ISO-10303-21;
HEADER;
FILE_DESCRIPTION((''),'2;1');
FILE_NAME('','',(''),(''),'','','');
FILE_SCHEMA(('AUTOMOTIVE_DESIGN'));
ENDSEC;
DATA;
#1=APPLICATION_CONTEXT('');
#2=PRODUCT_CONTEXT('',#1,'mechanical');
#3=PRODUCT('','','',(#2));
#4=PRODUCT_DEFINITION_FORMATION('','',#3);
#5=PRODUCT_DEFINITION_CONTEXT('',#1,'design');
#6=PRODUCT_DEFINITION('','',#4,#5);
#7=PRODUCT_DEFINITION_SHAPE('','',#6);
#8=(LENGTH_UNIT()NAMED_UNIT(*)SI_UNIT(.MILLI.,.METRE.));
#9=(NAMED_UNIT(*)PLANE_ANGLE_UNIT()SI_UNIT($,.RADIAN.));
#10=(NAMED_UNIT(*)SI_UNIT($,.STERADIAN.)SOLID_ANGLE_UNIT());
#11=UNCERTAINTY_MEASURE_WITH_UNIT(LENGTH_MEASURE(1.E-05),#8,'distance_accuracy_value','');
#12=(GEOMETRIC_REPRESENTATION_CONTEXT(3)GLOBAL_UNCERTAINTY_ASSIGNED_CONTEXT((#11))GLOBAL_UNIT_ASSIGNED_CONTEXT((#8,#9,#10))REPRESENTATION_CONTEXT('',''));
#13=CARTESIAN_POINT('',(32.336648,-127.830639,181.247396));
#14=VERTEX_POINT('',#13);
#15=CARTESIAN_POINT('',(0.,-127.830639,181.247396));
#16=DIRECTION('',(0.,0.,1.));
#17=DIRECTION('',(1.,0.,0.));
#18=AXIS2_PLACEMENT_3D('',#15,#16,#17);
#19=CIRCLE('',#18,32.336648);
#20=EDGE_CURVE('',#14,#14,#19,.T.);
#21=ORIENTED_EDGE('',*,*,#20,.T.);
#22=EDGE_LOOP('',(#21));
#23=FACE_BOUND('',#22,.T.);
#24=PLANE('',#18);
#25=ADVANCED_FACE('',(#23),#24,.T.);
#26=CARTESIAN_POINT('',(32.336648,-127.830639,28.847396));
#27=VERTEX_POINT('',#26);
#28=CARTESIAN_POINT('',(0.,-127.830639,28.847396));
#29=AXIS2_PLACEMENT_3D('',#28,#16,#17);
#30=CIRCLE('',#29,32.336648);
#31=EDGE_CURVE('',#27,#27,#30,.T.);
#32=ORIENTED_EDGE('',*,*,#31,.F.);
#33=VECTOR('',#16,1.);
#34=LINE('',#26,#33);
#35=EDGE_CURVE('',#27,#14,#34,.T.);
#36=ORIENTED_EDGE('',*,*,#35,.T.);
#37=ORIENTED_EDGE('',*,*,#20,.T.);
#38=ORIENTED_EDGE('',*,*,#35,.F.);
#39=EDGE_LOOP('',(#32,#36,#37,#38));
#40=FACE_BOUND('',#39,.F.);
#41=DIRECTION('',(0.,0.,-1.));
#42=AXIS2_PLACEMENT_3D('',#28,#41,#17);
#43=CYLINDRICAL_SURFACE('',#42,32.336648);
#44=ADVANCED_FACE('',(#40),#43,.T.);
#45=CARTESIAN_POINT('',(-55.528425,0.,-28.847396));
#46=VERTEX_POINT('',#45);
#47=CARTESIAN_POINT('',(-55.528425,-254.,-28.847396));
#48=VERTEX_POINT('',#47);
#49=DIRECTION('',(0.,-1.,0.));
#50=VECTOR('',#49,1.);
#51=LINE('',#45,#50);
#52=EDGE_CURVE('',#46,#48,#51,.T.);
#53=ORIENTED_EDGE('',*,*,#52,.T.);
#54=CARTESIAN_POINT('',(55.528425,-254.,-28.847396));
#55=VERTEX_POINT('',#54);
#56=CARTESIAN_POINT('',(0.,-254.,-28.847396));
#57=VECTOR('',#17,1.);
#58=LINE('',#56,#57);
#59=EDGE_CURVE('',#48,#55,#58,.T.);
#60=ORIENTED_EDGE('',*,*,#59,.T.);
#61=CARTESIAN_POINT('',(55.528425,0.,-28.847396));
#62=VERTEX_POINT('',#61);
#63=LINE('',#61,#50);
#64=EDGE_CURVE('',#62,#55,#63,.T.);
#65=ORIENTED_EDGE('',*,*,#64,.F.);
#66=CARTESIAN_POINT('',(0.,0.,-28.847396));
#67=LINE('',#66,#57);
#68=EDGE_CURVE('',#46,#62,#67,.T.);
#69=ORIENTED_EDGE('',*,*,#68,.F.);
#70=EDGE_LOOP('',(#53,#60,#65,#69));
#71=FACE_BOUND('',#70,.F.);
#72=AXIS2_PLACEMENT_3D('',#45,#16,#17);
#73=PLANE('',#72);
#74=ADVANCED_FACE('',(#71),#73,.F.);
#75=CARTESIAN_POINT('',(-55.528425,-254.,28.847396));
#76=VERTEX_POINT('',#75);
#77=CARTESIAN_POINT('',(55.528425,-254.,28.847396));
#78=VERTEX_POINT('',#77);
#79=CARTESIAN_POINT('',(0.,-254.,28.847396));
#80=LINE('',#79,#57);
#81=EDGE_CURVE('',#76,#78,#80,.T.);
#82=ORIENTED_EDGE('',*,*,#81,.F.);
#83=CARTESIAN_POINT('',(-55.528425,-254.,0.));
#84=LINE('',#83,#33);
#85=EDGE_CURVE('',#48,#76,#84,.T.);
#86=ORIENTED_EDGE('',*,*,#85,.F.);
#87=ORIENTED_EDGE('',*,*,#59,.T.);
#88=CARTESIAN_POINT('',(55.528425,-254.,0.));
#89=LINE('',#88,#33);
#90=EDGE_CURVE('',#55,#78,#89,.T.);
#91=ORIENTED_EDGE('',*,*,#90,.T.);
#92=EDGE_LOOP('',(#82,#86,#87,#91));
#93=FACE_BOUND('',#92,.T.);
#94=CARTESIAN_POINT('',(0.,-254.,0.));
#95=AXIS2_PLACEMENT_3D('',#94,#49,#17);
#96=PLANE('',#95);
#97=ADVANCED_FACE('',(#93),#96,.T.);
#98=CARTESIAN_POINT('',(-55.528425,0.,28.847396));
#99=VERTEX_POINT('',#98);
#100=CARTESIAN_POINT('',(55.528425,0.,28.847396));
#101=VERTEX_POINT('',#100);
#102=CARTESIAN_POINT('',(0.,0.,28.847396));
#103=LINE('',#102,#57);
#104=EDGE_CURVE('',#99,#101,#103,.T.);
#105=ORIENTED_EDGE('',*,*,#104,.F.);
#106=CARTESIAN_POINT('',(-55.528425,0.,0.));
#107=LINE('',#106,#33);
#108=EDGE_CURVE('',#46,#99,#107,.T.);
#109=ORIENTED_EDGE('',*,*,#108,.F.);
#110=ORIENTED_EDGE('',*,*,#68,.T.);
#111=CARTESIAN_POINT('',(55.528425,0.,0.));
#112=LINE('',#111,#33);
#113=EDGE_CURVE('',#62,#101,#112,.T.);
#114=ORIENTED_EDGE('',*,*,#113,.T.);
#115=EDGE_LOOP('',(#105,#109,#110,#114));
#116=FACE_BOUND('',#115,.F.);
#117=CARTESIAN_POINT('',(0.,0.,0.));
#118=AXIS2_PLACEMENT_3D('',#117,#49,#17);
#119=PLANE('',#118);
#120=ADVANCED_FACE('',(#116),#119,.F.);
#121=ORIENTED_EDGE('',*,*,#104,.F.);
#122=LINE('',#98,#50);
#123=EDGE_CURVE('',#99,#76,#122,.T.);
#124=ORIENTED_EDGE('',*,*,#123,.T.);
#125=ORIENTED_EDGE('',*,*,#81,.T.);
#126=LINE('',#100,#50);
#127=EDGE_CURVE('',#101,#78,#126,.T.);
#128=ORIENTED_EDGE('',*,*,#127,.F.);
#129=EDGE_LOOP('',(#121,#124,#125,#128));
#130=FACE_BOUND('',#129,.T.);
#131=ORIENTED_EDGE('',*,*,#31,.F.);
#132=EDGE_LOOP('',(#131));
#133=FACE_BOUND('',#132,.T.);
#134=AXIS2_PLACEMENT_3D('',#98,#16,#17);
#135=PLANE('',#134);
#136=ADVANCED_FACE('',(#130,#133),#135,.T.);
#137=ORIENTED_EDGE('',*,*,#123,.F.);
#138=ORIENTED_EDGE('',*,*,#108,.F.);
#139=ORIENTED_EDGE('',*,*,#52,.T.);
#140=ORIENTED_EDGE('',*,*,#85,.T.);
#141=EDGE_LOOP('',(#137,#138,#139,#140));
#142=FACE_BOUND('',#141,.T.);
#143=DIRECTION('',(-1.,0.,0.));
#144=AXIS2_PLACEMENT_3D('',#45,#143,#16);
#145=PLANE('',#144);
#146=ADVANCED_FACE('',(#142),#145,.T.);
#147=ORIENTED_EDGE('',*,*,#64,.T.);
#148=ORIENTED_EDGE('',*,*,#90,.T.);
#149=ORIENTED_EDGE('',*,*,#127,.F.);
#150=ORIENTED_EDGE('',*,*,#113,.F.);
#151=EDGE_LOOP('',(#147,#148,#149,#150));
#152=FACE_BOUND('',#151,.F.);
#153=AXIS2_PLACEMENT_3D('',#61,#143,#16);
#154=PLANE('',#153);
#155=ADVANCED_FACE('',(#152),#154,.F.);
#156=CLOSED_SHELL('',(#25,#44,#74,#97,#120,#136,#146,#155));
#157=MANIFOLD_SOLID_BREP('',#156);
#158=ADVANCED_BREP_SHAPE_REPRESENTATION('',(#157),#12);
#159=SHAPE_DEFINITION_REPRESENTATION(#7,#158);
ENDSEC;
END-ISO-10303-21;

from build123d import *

# Parameters (mm, degrees)
F0_W     = 111.05685
F0_H     = 57.694792
F1_DEPTH = 254
F2_R     = 32.336648
F3_DEPTH = 152.4


with BuildPart() as f1:
    # F0 (on Front) → F1 (new body)
    with BuildSketch(Plane.XZ):
        Rectangle(F0_W, F0_H)
    extrude(amount=F1_DEPTH)

    # F2 (on face) → F3 (join)
    with BuildSketch(Plane.XY.offset(28.847396)):
        with Locations((0, -127.830639)):
            Circle(F2_R)
    extrude(amount=F3_DEPTH)


solid = f1.part
